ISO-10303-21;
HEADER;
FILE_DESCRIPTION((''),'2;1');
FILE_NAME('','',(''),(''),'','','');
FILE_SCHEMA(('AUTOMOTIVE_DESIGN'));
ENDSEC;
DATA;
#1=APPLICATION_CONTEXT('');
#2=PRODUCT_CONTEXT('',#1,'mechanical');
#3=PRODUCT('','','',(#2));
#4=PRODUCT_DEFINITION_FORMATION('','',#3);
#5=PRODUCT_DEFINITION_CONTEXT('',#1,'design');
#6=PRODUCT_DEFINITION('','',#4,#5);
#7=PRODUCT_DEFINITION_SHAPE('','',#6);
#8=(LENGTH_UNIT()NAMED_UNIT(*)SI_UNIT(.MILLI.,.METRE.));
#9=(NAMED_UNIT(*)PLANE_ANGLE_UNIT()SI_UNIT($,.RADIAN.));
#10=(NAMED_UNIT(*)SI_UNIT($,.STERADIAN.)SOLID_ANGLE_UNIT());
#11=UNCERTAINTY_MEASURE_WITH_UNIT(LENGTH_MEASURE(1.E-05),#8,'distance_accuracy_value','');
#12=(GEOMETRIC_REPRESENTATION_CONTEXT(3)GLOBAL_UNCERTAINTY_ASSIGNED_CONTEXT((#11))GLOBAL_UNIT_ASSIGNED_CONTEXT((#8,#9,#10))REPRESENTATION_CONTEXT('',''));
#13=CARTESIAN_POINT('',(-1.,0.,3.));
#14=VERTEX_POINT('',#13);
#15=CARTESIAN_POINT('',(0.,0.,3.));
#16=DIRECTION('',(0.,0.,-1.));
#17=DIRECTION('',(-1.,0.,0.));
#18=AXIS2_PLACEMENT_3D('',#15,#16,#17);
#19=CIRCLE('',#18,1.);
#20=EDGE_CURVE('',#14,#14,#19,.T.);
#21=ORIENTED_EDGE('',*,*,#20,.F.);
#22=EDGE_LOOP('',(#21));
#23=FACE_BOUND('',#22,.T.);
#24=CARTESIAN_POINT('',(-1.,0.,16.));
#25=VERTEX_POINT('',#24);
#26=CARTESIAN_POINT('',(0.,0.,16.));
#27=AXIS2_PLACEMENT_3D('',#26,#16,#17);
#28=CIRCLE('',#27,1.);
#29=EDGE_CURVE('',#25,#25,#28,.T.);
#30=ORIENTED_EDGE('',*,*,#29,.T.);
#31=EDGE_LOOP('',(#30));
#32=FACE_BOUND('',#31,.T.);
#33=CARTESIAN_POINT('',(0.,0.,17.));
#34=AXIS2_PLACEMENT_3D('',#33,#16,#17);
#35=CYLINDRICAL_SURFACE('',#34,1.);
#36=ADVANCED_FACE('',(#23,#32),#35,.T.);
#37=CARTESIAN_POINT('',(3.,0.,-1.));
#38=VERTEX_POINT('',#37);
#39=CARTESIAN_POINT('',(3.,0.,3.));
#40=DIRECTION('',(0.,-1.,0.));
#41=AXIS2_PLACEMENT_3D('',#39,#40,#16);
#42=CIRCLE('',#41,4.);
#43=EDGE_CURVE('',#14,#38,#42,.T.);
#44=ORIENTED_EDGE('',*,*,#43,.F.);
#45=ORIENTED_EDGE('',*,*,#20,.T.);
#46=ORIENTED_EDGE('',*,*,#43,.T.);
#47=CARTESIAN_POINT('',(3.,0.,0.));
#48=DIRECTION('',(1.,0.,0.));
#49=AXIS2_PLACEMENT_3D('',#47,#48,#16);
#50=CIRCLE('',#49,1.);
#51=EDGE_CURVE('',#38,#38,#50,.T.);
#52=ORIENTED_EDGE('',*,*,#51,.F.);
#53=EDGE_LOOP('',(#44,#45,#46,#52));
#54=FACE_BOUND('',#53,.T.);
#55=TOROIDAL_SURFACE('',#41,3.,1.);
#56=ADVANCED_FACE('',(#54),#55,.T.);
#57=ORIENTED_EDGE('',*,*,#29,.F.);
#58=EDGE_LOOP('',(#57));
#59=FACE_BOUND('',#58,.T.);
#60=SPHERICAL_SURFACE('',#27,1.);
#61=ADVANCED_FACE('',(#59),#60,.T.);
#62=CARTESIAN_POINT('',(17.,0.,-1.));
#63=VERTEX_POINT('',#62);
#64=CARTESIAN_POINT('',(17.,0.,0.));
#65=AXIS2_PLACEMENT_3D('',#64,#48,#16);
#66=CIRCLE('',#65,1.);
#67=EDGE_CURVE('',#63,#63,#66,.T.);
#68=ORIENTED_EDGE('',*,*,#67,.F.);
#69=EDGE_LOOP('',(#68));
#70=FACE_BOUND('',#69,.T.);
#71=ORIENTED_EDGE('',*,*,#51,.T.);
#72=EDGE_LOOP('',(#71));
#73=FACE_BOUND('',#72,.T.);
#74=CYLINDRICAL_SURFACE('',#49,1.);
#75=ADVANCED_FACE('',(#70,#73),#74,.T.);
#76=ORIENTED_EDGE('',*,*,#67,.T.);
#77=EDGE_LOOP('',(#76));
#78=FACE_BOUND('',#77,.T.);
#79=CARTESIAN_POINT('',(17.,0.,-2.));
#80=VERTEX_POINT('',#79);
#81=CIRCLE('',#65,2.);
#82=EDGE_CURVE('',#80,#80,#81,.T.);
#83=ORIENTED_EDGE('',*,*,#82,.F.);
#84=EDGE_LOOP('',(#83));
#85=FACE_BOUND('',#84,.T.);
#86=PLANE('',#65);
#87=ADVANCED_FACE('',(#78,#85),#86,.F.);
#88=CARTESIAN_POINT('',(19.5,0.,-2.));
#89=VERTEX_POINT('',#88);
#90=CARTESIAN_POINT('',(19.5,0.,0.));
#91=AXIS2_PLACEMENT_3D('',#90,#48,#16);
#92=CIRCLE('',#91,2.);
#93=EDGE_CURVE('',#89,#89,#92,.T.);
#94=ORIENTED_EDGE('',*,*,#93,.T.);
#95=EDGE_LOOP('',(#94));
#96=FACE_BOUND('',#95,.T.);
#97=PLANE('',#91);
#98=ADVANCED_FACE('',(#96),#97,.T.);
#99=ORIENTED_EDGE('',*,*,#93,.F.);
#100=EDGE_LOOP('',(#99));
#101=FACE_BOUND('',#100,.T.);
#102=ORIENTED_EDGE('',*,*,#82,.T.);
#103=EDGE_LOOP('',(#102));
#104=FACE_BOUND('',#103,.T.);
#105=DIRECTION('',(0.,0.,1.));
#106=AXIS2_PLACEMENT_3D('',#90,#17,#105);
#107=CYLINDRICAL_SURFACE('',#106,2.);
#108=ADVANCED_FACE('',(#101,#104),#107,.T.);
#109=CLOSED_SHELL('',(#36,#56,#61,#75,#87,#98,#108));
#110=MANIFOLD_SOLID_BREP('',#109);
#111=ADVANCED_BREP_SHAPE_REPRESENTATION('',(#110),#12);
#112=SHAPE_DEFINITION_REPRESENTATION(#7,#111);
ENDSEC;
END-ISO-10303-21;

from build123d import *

# Parameters (mm, degrees)
SKETCH2_R           = 1
FILLET1_R           = 1
SKETCH3_R           = 2
BOSS_EXTRUDE1_DEPTH = 2.5


with BuildPart() as part:
    # Sweep2: sweep along a path in Sketch1
    with BuildLine(Plane(origin=(0, 0, 0), x_dir=(1, 0, 0), z_dir=(0, 1, 0))) as sweep2_path:
        Line((0, -17), (0, -3))
        ThreePointArc((0, -3), (0.878679656, -0.878679656), (3, 0))
        Line((3, 0), (17, 0))
    # Sketch2 → Sweep2 (sweep)
    with BuildSketch(Plane(origin=(17, 0, 0), x_dir=(0, 0, -1), z_dir=(1, 0, 0))):
        Circle(SKETCH2_R)
    sweep(path=sweep2_path.line)

    # Fillet1
    fillet1_edges = [part.edges().sort_by_distance(p)[0] for p in [
        (1, 0, 17),
    ]]
    fillet(fillet1_edges, radius=FILLET1_R)

    # Sketch3 → Boss-Extrude1 (add)
    with BuildSketch(Plane(origin=(17, 0, 0), x_dir=(0, 0, -1), z_dir=(1, 0, 0))):
        Circle(SKETCH3_R)
    extrude(amount=BOSS_EXTRUDE1_DEPTH)


solid = part.part
